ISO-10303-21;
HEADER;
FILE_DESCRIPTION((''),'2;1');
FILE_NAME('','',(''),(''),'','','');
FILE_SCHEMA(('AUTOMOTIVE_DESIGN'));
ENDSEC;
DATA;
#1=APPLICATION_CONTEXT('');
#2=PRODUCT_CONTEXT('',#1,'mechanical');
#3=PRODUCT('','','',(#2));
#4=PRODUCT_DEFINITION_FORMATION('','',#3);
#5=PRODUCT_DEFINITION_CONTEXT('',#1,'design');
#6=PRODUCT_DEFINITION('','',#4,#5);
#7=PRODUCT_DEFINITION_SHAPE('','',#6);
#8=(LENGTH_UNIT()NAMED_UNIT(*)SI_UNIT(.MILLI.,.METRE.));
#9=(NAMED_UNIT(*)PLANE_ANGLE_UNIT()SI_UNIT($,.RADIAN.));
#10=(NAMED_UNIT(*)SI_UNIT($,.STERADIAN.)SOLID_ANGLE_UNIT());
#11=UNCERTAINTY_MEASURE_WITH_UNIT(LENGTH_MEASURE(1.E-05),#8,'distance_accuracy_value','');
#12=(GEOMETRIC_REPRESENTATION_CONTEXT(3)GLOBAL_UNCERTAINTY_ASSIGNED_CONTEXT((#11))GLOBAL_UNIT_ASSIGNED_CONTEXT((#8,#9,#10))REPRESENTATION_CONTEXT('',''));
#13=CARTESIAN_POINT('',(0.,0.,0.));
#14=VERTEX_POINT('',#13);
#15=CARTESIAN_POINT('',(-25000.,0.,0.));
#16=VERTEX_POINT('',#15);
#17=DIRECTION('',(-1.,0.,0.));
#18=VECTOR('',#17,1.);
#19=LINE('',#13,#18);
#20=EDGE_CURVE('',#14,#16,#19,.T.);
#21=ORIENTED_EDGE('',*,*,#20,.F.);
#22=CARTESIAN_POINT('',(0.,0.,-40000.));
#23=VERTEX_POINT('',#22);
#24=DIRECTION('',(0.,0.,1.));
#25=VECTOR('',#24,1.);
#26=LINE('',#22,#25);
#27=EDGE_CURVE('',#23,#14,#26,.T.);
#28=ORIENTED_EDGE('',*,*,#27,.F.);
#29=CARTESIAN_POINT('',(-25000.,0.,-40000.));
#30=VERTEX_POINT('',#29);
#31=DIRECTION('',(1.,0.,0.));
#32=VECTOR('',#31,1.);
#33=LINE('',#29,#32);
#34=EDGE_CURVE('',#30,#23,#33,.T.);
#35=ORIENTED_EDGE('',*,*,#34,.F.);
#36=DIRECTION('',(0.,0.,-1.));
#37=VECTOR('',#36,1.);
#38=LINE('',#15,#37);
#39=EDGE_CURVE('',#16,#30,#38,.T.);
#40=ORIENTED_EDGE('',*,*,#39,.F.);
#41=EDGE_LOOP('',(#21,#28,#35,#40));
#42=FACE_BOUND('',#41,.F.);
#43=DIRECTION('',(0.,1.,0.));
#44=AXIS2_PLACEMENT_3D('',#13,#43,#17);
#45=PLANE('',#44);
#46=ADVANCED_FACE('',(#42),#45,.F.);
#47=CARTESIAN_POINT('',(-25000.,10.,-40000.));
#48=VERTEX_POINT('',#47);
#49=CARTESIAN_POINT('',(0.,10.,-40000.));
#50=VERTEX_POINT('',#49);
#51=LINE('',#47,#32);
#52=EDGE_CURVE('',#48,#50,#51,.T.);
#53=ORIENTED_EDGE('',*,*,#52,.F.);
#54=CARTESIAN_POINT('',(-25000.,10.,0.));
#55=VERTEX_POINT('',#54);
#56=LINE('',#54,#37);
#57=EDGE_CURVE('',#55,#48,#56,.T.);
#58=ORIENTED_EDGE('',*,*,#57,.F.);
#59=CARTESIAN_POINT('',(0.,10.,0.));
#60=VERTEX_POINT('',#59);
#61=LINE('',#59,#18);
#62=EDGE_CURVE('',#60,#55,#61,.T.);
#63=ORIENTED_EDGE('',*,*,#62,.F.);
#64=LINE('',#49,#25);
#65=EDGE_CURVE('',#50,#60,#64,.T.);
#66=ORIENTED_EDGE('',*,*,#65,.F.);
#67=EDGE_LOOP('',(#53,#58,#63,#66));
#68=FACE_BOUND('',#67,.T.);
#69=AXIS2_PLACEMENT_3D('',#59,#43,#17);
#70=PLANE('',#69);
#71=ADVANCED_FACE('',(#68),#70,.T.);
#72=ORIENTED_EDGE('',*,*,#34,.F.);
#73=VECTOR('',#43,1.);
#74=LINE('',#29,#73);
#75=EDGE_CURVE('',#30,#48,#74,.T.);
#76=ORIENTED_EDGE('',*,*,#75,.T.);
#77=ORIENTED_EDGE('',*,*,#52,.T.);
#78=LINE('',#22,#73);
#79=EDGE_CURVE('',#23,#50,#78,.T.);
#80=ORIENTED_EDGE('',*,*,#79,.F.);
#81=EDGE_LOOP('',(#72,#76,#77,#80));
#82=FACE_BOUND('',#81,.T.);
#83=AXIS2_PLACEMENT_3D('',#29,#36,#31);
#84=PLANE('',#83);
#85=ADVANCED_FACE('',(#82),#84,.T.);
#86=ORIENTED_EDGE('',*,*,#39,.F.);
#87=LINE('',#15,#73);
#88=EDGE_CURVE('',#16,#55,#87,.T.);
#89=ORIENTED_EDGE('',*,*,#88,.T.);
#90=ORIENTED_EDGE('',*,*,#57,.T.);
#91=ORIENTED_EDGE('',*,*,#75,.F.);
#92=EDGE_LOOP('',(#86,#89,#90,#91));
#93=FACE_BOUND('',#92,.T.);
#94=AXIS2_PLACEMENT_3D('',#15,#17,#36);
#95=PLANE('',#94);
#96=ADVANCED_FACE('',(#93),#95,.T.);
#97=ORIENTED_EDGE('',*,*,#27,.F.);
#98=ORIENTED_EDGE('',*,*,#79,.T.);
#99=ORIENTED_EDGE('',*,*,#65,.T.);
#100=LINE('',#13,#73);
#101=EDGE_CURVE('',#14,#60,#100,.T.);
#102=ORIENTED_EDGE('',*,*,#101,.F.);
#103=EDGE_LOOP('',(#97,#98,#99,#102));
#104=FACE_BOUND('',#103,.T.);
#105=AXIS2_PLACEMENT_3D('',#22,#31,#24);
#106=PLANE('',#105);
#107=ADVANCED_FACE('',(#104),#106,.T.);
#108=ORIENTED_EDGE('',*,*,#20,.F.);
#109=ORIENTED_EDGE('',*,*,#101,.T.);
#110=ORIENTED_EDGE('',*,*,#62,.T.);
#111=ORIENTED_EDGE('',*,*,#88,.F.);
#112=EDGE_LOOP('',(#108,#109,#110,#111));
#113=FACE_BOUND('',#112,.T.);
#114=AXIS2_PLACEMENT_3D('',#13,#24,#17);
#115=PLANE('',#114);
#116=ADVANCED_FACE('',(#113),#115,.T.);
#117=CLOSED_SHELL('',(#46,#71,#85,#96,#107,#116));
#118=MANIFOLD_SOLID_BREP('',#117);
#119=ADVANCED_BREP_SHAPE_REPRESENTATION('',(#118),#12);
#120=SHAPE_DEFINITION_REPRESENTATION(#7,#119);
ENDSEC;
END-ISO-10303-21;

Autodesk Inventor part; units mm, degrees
ref_plane "YZ Plane" through (0, 0, 0) normal (1, 0, 0) x (0, 1, 0)
ref_plane "XZ Plane" through (0, 0, 0) normal (0, 1, 0) x (-1, 0, 0)
ref_plane "XY Plane" through (0, 0, 0) normal (0, 0, 1) x (1, 0, 0)
sketch "스케치1" plane through (0, 0, 0) normal (0, 1, 0) x (-1, 0, 0)
  line L0 (0, 0) -> (25000, 0)
  line L1 (25000, 0) -> (25000, -40000)
  line L2 (25000, -40000) -> (0, -40000)
  line L3 (0, -40000) -> (0, 0)
  dimension "d0" = 25000
  dimension "d1" = 40000
extrude "돌출1" add sketch "스케치1" along normal blind 10
properties part number "base"
